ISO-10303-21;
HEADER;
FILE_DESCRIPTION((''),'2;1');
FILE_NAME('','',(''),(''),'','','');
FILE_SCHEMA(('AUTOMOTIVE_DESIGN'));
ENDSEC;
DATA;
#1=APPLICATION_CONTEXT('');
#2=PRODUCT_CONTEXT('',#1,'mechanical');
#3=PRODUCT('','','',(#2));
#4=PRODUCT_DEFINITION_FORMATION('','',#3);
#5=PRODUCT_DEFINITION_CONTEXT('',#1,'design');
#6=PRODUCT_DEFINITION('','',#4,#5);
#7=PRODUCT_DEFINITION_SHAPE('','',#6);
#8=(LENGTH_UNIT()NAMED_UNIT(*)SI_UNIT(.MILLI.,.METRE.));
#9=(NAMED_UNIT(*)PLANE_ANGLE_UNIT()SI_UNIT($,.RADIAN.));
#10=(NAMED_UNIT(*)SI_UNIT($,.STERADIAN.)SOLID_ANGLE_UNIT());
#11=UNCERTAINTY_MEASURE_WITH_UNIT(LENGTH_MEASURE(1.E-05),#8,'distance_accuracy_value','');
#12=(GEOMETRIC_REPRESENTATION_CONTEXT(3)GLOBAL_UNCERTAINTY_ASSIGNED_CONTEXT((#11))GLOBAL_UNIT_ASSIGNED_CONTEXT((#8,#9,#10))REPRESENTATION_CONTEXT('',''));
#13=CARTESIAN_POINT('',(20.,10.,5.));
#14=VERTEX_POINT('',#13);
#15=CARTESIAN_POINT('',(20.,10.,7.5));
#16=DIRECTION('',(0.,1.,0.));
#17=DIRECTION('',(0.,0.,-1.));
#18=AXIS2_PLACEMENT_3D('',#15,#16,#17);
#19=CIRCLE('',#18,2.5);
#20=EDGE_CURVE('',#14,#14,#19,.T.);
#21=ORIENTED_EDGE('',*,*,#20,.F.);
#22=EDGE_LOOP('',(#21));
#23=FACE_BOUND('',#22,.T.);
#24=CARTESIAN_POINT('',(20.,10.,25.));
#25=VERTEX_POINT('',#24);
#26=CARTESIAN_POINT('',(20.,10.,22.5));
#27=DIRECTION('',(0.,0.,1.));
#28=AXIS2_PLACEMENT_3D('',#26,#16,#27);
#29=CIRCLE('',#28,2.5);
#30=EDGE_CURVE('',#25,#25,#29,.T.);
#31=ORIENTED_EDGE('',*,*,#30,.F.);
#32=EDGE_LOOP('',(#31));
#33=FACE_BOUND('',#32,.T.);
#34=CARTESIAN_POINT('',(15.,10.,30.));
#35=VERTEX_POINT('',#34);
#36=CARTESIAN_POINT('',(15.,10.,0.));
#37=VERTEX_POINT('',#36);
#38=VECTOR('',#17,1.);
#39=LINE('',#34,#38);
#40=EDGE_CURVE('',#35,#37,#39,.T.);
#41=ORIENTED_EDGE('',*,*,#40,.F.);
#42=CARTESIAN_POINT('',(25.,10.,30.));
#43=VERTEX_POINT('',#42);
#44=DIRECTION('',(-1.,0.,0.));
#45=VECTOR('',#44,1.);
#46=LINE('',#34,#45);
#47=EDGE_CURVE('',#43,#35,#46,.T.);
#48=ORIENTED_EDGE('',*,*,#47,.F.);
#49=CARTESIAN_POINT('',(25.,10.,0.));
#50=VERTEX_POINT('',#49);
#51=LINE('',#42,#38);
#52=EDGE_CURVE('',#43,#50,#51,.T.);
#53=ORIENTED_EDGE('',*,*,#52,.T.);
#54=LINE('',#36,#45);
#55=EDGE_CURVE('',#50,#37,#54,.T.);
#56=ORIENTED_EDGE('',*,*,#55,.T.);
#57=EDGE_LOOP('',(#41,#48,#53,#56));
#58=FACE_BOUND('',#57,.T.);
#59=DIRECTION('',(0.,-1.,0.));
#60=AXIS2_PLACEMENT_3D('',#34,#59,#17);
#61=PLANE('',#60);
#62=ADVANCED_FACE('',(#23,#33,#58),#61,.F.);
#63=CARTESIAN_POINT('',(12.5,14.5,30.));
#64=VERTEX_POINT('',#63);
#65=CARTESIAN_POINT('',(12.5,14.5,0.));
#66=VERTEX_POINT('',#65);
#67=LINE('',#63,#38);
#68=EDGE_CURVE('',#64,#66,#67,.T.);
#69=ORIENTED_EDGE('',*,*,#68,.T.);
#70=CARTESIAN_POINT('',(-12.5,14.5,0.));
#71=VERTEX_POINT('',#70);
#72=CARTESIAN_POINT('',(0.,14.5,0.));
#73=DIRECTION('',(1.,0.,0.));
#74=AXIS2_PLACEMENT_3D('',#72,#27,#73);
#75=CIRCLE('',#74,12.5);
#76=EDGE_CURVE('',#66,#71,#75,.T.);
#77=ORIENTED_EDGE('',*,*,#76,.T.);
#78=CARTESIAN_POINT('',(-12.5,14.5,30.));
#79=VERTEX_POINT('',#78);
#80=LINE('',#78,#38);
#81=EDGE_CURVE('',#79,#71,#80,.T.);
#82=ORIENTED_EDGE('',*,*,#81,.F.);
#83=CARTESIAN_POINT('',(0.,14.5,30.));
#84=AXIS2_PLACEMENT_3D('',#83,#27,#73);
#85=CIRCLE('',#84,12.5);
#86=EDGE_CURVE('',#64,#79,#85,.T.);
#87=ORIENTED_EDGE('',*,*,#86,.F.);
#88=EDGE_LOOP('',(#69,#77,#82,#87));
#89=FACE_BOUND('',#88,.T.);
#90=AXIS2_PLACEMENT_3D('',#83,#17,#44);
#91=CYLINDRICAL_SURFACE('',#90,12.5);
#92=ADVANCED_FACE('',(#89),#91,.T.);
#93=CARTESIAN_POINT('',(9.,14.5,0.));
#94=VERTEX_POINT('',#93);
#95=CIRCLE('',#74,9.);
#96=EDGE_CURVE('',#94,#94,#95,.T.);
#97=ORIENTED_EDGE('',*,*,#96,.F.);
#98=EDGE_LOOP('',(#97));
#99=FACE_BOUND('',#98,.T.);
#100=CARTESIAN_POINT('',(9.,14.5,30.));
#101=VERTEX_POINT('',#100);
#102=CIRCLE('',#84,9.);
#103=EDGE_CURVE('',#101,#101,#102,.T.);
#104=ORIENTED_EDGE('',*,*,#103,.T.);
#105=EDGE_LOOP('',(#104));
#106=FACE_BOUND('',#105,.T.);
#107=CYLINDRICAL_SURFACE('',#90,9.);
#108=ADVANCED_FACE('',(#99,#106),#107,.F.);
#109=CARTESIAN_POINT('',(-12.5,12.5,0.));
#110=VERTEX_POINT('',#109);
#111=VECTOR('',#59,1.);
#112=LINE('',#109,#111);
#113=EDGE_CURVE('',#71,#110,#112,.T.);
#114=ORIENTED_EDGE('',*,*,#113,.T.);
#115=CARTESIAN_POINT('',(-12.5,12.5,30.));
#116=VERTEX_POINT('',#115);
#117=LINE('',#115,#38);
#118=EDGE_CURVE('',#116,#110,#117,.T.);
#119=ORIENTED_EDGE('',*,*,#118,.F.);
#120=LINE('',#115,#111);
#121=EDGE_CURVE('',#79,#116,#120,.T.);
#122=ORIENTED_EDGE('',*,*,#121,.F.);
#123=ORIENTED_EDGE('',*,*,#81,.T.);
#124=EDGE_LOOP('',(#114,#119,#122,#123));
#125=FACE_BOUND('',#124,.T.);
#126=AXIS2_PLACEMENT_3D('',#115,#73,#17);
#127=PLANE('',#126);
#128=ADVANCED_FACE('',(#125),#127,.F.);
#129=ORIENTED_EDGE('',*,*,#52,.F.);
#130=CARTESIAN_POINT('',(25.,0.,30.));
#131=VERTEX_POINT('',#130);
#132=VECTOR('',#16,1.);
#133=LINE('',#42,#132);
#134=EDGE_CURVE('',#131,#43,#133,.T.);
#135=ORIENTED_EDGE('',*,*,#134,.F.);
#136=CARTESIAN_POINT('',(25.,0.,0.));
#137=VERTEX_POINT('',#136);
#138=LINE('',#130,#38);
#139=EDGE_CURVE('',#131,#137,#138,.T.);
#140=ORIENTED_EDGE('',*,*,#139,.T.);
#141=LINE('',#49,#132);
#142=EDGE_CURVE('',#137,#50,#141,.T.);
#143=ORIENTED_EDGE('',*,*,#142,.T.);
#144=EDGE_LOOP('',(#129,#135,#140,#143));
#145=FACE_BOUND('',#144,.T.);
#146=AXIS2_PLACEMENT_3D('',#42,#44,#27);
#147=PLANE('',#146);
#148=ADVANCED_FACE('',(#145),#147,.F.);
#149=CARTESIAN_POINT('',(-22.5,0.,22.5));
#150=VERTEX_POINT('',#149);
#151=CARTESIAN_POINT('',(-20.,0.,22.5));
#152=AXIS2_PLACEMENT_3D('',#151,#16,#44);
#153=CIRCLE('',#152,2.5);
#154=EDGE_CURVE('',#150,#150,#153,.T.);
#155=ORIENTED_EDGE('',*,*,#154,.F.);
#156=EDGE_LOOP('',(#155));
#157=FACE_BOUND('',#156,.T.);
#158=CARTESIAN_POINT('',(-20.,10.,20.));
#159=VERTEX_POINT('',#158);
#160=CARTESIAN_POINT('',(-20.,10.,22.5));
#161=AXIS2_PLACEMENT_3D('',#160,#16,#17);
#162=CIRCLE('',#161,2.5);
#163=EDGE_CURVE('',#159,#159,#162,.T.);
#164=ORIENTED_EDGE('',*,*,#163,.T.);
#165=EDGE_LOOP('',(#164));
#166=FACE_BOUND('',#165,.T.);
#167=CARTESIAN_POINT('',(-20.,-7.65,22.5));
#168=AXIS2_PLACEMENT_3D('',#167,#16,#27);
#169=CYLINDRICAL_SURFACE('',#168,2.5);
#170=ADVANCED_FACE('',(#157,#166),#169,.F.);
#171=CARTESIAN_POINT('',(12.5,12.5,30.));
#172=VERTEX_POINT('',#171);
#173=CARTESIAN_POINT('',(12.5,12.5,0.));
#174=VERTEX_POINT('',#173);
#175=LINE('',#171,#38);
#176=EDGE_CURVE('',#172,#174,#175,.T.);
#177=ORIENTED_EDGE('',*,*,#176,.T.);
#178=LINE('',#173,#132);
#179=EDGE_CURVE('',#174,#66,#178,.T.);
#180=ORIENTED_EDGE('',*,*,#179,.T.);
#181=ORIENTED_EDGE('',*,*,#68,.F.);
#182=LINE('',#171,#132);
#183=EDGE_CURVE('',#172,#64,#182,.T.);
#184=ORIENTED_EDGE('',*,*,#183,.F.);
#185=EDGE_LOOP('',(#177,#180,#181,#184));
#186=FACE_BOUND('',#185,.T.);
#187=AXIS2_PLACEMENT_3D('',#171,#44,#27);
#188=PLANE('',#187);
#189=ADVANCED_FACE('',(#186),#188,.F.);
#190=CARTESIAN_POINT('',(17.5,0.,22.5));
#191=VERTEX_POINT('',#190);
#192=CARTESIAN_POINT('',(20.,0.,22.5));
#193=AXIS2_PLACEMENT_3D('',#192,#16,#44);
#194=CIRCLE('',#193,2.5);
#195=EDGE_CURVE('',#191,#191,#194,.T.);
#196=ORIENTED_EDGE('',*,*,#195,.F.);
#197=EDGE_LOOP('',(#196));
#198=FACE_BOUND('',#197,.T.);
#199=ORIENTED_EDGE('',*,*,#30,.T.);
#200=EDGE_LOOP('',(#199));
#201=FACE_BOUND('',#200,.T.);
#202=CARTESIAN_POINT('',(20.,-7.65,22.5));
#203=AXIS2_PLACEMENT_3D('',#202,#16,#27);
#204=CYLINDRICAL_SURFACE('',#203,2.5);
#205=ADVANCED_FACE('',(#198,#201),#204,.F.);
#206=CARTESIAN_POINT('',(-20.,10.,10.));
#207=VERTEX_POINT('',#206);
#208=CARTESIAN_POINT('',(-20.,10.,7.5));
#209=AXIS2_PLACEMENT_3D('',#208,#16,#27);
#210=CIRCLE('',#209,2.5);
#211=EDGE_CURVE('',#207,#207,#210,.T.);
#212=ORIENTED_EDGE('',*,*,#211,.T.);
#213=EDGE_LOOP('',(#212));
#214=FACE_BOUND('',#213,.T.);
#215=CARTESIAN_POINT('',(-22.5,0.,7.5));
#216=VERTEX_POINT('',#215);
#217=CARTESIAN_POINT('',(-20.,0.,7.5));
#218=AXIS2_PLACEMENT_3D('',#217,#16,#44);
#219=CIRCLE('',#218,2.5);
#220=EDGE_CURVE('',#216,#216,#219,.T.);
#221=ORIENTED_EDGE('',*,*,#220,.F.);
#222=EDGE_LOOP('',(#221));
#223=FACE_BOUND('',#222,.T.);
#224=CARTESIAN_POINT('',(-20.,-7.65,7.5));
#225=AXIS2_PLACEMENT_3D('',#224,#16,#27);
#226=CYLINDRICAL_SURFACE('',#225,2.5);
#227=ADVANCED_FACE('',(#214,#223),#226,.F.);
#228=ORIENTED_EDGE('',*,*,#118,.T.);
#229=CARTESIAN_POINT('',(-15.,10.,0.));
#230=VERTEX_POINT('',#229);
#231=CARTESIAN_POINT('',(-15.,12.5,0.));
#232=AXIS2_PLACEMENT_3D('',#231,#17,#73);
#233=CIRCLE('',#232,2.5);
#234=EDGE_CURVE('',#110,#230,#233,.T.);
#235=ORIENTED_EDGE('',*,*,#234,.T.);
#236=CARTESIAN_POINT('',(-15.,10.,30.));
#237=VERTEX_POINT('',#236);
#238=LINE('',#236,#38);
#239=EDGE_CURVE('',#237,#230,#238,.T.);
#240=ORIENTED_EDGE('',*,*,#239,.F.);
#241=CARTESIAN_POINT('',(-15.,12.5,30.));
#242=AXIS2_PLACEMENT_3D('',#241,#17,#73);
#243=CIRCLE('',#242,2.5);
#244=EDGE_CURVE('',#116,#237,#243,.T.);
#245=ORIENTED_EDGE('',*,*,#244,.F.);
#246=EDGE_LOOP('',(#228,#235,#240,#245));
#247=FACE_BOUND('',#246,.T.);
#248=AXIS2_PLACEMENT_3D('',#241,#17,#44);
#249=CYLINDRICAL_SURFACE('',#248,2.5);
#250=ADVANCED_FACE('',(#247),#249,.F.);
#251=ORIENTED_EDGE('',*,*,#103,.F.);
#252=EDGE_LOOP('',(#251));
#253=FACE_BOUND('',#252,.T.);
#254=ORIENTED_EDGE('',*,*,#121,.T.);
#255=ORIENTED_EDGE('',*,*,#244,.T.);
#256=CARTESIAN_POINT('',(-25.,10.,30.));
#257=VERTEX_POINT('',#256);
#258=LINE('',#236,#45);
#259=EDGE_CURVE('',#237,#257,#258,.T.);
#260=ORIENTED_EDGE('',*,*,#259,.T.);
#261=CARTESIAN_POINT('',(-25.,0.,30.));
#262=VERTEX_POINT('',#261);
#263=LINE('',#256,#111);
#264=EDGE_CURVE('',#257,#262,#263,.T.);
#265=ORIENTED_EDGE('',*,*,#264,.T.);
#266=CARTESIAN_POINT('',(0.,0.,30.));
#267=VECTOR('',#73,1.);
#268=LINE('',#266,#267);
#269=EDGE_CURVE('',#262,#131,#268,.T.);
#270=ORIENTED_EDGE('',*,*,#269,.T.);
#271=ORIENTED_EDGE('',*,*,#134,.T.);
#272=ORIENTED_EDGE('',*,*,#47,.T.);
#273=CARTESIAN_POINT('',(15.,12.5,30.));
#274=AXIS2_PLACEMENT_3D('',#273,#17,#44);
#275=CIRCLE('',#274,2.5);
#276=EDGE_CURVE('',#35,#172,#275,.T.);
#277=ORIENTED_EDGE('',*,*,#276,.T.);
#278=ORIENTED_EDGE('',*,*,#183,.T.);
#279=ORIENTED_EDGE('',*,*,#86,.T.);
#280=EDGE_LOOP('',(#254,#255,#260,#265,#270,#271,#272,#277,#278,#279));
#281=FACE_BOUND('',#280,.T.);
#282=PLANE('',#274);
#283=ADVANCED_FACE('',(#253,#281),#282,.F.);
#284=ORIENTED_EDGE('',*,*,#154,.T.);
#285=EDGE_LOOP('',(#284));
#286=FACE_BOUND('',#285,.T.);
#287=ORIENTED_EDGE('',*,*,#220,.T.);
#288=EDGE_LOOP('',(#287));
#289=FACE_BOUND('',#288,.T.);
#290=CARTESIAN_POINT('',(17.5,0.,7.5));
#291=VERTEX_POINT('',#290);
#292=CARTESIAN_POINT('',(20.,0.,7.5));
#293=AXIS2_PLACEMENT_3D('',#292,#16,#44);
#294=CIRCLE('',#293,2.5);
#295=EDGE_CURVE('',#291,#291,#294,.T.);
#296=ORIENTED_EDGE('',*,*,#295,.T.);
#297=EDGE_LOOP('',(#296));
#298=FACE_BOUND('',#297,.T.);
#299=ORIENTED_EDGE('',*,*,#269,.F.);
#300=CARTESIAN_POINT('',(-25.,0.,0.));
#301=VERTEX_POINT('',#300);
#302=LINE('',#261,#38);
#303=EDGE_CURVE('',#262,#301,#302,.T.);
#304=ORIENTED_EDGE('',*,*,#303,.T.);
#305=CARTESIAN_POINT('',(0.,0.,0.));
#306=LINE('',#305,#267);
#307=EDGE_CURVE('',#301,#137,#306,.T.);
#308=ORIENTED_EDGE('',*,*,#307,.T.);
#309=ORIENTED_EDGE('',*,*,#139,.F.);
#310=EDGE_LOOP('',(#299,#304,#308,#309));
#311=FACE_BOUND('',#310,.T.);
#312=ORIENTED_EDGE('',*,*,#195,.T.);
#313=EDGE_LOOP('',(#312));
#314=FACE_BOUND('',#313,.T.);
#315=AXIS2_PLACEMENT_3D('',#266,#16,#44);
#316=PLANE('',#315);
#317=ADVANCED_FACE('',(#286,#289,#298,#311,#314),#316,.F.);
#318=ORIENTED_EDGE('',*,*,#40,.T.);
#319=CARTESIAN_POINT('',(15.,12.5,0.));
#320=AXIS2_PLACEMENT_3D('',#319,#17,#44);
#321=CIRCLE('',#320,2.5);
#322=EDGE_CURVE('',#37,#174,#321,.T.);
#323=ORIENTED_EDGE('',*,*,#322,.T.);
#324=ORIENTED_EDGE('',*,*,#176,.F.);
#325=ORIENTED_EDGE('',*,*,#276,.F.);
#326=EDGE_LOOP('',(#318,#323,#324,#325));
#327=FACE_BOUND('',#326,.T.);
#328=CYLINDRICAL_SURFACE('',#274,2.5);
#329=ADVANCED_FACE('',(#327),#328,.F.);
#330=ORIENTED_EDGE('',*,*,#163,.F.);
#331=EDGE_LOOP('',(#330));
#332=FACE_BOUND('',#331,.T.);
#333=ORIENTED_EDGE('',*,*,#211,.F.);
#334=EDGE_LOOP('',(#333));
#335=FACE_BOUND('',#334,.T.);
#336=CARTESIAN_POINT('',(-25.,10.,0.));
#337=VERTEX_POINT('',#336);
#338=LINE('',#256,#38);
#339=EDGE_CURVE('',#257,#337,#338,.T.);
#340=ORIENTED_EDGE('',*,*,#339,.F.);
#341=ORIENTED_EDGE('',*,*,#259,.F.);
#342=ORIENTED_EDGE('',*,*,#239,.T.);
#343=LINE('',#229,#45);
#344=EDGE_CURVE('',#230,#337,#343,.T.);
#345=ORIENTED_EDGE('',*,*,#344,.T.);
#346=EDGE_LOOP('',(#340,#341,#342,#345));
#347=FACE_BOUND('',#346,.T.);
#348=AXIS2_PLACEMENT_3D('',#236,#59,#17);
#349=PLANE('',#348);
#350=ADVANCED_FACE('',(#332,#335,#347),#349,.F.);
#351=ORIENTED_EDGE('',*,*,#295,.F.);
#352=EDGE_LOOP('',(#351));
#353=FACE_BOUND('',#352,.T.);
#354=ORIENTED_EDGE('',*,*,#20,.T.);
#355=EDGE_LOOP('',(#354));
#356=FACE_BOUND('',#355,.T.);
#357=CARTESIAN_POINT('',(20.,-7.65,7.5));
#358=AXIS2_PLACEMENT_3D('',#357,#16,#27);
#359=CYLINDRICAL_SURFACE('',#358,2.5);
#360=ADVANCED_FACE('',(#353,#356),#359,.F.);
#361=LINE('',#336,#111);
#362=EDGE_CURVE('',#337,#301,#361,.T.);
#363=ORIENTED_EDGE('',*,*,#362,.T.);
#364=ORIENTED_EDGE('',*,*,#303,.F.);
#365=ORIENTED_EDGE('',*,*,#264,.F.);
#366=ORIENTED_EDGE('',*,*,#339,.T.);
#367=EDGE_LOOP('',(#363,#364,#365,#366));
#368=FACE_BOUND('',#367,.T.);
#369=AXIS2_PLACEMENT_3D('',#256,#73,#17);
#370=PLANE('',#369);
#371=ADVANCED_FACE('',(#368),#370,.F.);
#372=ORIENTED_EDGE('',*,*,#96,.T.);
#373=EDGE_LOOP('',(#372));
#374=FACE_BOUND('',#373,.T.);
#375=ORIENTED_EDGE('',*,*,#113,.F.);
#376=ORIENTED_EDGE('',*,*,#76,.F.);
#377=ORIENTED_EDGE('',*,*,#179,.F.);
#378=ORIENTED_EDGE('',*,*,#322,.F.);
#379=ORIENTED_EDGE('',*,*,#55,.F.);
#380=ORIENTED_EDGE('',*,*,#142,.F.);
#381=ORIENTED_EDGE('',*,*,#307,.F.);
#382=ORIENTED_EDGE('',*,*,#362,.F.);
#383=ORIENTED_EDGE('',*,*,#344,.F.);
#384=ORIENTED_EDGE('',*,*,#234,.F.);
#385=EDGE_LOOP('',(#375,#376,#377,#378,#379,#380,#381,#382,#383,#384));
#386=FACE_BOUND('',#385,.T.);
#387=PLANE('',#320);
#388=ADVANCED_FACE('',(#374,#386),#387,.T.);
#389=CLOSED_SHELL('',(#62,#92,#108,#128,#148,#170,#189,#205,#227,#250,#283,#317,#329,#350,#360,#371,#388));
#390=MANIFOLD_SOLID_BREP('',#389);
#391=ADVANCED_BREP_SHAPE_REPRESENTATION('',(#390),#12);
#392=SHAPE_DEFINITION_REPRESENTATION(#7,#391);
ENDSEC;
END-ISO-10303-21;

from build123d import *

# Parameters (mm, degrees)
SKETCH1_R           = 9
BOSS_EXTRUDE1_DEPTH = 30
SKETCH3_R           = 2.5
CUT_EXTRUDE1_DEPTH  = 17.65


with BuildPart() as part:
    # Sketch1 → Boss-Extrude1 (new body)
    with BuildSketch(Plane.XY):
        with BuildLine():
            Line((0, 0), (-25, 0))
            Line((-25, 0), (-25, 10))
            Line((-25, 10), (-15, 10))
            ThreePointArc((-15, 10), (-13.232233047, 10.732233047), (-12.5, 12.5))
            Line((-12.5, 12.5), (-12.5, 14.5))
            ThreePointArc((-12.5, 14.5), (0, 27), (12.5, 14.5))
            Line((12.5, 14.5), (12.5, 12.5))
            ThreePointArc((12.5, 12.5), (13.232233047, 10.732233047), (15, 10))
            Line((15, 10), (25, 10))
            Line((25, 10), (25, 0))
            Line((25, 0), (0, 0))
        make_face()
        with Locations((0, 14.5)):
            Circle(SKETCH1_R, mode=Mode.SUBTRACT)
    extrude(amount=BOSS_EXTRUDE1_DEPTH)

    # Sketch3 → Cut-Extrude1 (cut)
    with BuildSketch(Plane(origin=(0, 10, 0), x_dir=(1, 0, 0), z_dir=(0, 1, 0))):
        with Locations(Location((-20, -7.5, 0), (0, 0, 270))):
            Circle(SKETCH3_R)
        with Locations(Location((-20, -22.5, 0), (0, 0, 180))):
            Circle(SKETCH3_R)
        with Locations(Location((20, -22.5, 0), (0, 0, 270))):
            Circle(SKETCH3_R)
        with Locations(Location((20, -7.5, 0), (0, 0, 180))):
            Circle(SKETCH3_R)
    extrude(amount=-CUT_EXTRUDE1_DEPTH, mode=Mode.SUBTRACT)


solid = part.part
